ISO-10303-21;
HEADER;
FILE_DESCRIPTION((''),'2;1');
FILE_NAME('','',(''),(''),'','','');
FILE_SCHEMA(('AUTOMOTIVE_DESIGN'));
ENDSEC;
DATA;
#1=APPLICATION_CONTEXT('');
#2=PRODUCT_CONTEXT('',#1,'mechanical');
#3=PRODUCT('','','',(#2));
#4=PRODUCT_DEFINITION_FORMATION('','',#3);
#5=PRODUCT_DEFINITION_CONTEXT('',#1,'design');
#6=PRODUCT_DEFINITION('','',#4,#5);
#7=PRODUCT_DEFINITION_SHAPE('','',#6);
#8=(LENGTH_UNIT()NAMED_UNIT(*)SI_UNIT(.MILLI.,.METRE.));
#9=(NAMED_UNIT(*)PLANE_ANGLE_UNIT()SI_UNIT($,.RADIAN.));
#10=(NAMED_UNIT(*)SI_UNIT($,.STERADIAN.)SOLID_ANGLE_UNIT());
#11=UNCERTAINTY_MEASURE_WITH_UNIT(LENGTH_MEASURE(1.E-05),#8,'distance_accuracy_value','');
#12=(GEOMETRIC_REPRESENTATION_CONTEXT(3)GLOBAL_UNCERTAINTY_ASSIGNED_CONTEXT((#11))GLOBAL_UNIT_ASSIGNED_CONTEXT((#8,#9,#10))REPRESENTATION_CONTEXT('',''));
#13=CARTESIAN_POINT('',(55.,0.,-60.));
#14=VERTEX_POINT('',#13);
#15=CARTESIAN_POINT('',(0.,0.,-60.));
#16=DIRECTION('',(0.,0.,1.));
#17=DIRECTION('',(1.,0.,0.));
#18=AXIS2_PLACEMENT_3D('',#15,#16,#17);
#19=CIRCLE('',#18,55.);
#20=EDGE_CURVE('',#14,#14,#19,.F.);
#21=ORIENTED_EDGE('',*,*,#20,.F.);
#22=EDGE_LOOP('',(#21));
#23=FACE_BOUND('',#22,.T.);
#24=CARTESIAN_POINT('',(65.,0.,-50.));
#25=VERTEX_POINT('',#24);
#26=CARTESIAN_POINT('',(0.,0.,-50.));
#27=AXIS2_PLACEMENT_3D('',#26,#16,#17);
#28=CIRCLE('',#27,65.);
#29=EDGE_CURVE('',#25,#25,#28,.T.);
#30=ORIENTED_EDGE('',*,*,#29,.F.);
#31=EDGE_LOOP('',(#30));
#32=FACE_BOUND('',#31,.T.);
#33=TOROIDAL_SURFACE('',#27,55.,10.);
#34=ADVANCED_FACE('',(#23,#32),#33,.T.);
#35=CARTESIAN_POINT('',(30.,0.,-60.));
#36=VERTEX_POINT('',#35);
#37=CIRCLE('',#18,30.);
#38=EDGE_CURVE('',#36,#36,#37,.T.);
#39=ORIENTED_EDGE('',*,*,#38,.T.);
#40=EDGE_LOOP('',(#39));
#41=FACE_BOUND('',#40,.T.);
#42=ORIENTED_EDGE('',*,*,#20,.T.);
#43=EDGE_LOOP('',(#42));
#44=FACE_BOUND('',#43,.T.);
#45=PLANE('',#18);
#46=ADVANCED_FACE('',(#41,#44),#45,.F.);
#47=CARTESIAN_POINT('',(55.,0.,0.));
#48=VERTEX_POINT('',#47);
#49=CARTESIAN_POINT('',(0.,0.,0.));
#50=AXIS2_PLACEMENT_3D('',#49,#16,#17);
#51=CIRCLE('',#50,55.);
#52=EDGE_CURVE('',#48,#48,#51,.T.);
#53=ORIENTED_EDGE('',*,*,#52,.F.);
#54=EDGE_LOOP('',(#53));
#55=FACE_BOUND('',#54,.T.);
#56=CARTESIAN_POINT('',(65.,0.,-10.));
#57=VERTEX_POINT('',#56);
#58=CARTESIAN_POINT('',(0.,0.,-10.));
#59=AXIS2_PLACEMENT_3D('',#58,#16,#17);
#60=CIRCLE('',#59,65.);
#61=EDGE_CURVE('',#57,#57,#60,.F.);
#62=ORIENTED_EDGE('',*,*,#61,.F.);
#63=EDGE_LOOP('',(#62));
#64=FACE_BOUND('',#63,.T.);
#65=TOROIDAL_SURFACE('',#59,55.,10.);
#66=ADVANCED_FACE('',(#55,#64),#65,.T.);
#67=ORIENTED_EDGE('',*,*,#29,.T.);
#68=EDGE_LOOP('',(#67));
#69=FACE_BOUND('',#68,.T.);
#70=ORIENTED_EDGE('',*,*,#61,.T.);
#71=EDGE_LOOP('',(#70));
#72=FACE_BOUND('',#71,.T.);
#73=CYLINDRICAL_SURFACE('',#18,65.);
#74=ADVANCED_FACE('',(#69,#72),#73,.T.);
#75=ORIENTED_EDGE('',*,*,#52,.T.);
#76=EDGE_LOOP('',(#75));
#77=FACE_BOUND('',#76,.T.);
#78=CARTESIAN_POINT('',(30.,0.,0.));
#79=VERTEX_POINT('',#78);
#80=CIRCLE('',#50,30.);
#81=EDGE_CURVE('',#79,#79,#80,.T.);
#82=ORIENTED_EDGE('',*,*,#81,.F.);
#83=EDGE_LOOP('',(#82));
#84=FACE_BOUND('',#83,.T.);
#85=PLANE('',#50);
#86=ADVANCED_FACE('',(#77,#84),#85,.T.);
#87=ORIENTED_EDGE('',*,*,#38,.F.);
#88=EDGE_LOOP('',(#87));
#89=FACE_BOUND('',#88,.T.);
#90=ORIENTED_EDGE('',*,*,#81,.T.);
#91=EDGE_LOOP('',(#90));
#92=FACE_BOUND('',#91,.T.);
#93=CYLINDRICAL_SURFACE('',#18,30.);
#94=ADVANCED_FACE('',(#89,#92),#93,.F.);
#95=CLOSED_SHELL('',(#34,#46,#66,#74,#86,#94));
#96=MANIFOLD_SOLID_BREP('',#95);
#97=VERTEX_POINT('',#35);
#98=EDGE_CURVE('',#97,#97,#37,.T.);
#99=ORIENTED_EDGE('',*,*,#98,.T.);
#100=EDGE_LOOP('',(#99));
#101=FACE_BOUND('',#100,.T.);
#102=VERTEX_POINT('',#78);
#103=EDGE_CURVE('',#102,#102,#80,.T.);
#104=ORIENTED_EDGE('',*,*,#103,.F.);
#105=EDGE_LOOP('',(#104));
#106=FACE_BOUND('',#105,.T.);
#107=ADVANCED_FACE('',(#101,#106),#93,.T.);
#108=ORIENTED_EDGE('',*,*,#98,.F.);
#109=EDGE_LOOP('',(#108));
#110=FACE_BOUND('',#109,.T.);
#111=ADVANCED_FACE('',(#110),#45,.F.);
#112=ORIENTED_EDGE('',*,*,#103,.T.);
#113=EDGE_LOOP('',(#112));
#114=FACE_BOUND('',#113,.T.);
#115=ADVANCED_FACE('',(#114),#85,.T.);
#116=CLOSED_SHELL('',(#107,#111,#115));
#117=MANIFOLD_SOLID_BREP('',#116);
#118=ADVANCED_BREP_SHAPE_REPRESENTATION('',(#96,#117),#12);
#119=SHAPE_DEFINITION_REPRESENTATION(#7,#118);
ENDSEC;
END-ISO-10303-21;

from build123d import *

# Parameters (mm, degrees)
SKETCH1_R           = 65
SKETCH1_R_2         = 30
BOSS_EXTRUDE1_DEPTH = 60
FILLET1_R           = 10
SKETCH2_R           = 30
BOSS_EXTRUDE3_DEPTH = 60


with BuildPart() as part:
    # Sketch1 → Boss-Extrude1 (new body)
    with BuildSketch(Plane.XY):
        Circle(SKETCH1_R)
        Circle(SKETCH1_R_2, mode=Mode.SUBTRACT)
    extrude(amount=-BOSS_EXTRUDE1_DEPTH)

    # Fillet1
    fillet1_edges = [part.edges().sort_by_distance(p)[0] for p in [
        (-65, 0, 0),
        (-65, 0, -60),
    ]]
    fillet(fillet1_edges, radius=FILLET1_R)


with BuildPart() as body_2:
    # Sketch2 → Boss-Extrude3 (new body)
    with BuildSketch(Plane.XY):
        Circle(SKETCH2_R)
    extrude(amount=-BOSS_EXTRUDE3_DEPTH)


solid = Compound([part.part, body_2.part])
